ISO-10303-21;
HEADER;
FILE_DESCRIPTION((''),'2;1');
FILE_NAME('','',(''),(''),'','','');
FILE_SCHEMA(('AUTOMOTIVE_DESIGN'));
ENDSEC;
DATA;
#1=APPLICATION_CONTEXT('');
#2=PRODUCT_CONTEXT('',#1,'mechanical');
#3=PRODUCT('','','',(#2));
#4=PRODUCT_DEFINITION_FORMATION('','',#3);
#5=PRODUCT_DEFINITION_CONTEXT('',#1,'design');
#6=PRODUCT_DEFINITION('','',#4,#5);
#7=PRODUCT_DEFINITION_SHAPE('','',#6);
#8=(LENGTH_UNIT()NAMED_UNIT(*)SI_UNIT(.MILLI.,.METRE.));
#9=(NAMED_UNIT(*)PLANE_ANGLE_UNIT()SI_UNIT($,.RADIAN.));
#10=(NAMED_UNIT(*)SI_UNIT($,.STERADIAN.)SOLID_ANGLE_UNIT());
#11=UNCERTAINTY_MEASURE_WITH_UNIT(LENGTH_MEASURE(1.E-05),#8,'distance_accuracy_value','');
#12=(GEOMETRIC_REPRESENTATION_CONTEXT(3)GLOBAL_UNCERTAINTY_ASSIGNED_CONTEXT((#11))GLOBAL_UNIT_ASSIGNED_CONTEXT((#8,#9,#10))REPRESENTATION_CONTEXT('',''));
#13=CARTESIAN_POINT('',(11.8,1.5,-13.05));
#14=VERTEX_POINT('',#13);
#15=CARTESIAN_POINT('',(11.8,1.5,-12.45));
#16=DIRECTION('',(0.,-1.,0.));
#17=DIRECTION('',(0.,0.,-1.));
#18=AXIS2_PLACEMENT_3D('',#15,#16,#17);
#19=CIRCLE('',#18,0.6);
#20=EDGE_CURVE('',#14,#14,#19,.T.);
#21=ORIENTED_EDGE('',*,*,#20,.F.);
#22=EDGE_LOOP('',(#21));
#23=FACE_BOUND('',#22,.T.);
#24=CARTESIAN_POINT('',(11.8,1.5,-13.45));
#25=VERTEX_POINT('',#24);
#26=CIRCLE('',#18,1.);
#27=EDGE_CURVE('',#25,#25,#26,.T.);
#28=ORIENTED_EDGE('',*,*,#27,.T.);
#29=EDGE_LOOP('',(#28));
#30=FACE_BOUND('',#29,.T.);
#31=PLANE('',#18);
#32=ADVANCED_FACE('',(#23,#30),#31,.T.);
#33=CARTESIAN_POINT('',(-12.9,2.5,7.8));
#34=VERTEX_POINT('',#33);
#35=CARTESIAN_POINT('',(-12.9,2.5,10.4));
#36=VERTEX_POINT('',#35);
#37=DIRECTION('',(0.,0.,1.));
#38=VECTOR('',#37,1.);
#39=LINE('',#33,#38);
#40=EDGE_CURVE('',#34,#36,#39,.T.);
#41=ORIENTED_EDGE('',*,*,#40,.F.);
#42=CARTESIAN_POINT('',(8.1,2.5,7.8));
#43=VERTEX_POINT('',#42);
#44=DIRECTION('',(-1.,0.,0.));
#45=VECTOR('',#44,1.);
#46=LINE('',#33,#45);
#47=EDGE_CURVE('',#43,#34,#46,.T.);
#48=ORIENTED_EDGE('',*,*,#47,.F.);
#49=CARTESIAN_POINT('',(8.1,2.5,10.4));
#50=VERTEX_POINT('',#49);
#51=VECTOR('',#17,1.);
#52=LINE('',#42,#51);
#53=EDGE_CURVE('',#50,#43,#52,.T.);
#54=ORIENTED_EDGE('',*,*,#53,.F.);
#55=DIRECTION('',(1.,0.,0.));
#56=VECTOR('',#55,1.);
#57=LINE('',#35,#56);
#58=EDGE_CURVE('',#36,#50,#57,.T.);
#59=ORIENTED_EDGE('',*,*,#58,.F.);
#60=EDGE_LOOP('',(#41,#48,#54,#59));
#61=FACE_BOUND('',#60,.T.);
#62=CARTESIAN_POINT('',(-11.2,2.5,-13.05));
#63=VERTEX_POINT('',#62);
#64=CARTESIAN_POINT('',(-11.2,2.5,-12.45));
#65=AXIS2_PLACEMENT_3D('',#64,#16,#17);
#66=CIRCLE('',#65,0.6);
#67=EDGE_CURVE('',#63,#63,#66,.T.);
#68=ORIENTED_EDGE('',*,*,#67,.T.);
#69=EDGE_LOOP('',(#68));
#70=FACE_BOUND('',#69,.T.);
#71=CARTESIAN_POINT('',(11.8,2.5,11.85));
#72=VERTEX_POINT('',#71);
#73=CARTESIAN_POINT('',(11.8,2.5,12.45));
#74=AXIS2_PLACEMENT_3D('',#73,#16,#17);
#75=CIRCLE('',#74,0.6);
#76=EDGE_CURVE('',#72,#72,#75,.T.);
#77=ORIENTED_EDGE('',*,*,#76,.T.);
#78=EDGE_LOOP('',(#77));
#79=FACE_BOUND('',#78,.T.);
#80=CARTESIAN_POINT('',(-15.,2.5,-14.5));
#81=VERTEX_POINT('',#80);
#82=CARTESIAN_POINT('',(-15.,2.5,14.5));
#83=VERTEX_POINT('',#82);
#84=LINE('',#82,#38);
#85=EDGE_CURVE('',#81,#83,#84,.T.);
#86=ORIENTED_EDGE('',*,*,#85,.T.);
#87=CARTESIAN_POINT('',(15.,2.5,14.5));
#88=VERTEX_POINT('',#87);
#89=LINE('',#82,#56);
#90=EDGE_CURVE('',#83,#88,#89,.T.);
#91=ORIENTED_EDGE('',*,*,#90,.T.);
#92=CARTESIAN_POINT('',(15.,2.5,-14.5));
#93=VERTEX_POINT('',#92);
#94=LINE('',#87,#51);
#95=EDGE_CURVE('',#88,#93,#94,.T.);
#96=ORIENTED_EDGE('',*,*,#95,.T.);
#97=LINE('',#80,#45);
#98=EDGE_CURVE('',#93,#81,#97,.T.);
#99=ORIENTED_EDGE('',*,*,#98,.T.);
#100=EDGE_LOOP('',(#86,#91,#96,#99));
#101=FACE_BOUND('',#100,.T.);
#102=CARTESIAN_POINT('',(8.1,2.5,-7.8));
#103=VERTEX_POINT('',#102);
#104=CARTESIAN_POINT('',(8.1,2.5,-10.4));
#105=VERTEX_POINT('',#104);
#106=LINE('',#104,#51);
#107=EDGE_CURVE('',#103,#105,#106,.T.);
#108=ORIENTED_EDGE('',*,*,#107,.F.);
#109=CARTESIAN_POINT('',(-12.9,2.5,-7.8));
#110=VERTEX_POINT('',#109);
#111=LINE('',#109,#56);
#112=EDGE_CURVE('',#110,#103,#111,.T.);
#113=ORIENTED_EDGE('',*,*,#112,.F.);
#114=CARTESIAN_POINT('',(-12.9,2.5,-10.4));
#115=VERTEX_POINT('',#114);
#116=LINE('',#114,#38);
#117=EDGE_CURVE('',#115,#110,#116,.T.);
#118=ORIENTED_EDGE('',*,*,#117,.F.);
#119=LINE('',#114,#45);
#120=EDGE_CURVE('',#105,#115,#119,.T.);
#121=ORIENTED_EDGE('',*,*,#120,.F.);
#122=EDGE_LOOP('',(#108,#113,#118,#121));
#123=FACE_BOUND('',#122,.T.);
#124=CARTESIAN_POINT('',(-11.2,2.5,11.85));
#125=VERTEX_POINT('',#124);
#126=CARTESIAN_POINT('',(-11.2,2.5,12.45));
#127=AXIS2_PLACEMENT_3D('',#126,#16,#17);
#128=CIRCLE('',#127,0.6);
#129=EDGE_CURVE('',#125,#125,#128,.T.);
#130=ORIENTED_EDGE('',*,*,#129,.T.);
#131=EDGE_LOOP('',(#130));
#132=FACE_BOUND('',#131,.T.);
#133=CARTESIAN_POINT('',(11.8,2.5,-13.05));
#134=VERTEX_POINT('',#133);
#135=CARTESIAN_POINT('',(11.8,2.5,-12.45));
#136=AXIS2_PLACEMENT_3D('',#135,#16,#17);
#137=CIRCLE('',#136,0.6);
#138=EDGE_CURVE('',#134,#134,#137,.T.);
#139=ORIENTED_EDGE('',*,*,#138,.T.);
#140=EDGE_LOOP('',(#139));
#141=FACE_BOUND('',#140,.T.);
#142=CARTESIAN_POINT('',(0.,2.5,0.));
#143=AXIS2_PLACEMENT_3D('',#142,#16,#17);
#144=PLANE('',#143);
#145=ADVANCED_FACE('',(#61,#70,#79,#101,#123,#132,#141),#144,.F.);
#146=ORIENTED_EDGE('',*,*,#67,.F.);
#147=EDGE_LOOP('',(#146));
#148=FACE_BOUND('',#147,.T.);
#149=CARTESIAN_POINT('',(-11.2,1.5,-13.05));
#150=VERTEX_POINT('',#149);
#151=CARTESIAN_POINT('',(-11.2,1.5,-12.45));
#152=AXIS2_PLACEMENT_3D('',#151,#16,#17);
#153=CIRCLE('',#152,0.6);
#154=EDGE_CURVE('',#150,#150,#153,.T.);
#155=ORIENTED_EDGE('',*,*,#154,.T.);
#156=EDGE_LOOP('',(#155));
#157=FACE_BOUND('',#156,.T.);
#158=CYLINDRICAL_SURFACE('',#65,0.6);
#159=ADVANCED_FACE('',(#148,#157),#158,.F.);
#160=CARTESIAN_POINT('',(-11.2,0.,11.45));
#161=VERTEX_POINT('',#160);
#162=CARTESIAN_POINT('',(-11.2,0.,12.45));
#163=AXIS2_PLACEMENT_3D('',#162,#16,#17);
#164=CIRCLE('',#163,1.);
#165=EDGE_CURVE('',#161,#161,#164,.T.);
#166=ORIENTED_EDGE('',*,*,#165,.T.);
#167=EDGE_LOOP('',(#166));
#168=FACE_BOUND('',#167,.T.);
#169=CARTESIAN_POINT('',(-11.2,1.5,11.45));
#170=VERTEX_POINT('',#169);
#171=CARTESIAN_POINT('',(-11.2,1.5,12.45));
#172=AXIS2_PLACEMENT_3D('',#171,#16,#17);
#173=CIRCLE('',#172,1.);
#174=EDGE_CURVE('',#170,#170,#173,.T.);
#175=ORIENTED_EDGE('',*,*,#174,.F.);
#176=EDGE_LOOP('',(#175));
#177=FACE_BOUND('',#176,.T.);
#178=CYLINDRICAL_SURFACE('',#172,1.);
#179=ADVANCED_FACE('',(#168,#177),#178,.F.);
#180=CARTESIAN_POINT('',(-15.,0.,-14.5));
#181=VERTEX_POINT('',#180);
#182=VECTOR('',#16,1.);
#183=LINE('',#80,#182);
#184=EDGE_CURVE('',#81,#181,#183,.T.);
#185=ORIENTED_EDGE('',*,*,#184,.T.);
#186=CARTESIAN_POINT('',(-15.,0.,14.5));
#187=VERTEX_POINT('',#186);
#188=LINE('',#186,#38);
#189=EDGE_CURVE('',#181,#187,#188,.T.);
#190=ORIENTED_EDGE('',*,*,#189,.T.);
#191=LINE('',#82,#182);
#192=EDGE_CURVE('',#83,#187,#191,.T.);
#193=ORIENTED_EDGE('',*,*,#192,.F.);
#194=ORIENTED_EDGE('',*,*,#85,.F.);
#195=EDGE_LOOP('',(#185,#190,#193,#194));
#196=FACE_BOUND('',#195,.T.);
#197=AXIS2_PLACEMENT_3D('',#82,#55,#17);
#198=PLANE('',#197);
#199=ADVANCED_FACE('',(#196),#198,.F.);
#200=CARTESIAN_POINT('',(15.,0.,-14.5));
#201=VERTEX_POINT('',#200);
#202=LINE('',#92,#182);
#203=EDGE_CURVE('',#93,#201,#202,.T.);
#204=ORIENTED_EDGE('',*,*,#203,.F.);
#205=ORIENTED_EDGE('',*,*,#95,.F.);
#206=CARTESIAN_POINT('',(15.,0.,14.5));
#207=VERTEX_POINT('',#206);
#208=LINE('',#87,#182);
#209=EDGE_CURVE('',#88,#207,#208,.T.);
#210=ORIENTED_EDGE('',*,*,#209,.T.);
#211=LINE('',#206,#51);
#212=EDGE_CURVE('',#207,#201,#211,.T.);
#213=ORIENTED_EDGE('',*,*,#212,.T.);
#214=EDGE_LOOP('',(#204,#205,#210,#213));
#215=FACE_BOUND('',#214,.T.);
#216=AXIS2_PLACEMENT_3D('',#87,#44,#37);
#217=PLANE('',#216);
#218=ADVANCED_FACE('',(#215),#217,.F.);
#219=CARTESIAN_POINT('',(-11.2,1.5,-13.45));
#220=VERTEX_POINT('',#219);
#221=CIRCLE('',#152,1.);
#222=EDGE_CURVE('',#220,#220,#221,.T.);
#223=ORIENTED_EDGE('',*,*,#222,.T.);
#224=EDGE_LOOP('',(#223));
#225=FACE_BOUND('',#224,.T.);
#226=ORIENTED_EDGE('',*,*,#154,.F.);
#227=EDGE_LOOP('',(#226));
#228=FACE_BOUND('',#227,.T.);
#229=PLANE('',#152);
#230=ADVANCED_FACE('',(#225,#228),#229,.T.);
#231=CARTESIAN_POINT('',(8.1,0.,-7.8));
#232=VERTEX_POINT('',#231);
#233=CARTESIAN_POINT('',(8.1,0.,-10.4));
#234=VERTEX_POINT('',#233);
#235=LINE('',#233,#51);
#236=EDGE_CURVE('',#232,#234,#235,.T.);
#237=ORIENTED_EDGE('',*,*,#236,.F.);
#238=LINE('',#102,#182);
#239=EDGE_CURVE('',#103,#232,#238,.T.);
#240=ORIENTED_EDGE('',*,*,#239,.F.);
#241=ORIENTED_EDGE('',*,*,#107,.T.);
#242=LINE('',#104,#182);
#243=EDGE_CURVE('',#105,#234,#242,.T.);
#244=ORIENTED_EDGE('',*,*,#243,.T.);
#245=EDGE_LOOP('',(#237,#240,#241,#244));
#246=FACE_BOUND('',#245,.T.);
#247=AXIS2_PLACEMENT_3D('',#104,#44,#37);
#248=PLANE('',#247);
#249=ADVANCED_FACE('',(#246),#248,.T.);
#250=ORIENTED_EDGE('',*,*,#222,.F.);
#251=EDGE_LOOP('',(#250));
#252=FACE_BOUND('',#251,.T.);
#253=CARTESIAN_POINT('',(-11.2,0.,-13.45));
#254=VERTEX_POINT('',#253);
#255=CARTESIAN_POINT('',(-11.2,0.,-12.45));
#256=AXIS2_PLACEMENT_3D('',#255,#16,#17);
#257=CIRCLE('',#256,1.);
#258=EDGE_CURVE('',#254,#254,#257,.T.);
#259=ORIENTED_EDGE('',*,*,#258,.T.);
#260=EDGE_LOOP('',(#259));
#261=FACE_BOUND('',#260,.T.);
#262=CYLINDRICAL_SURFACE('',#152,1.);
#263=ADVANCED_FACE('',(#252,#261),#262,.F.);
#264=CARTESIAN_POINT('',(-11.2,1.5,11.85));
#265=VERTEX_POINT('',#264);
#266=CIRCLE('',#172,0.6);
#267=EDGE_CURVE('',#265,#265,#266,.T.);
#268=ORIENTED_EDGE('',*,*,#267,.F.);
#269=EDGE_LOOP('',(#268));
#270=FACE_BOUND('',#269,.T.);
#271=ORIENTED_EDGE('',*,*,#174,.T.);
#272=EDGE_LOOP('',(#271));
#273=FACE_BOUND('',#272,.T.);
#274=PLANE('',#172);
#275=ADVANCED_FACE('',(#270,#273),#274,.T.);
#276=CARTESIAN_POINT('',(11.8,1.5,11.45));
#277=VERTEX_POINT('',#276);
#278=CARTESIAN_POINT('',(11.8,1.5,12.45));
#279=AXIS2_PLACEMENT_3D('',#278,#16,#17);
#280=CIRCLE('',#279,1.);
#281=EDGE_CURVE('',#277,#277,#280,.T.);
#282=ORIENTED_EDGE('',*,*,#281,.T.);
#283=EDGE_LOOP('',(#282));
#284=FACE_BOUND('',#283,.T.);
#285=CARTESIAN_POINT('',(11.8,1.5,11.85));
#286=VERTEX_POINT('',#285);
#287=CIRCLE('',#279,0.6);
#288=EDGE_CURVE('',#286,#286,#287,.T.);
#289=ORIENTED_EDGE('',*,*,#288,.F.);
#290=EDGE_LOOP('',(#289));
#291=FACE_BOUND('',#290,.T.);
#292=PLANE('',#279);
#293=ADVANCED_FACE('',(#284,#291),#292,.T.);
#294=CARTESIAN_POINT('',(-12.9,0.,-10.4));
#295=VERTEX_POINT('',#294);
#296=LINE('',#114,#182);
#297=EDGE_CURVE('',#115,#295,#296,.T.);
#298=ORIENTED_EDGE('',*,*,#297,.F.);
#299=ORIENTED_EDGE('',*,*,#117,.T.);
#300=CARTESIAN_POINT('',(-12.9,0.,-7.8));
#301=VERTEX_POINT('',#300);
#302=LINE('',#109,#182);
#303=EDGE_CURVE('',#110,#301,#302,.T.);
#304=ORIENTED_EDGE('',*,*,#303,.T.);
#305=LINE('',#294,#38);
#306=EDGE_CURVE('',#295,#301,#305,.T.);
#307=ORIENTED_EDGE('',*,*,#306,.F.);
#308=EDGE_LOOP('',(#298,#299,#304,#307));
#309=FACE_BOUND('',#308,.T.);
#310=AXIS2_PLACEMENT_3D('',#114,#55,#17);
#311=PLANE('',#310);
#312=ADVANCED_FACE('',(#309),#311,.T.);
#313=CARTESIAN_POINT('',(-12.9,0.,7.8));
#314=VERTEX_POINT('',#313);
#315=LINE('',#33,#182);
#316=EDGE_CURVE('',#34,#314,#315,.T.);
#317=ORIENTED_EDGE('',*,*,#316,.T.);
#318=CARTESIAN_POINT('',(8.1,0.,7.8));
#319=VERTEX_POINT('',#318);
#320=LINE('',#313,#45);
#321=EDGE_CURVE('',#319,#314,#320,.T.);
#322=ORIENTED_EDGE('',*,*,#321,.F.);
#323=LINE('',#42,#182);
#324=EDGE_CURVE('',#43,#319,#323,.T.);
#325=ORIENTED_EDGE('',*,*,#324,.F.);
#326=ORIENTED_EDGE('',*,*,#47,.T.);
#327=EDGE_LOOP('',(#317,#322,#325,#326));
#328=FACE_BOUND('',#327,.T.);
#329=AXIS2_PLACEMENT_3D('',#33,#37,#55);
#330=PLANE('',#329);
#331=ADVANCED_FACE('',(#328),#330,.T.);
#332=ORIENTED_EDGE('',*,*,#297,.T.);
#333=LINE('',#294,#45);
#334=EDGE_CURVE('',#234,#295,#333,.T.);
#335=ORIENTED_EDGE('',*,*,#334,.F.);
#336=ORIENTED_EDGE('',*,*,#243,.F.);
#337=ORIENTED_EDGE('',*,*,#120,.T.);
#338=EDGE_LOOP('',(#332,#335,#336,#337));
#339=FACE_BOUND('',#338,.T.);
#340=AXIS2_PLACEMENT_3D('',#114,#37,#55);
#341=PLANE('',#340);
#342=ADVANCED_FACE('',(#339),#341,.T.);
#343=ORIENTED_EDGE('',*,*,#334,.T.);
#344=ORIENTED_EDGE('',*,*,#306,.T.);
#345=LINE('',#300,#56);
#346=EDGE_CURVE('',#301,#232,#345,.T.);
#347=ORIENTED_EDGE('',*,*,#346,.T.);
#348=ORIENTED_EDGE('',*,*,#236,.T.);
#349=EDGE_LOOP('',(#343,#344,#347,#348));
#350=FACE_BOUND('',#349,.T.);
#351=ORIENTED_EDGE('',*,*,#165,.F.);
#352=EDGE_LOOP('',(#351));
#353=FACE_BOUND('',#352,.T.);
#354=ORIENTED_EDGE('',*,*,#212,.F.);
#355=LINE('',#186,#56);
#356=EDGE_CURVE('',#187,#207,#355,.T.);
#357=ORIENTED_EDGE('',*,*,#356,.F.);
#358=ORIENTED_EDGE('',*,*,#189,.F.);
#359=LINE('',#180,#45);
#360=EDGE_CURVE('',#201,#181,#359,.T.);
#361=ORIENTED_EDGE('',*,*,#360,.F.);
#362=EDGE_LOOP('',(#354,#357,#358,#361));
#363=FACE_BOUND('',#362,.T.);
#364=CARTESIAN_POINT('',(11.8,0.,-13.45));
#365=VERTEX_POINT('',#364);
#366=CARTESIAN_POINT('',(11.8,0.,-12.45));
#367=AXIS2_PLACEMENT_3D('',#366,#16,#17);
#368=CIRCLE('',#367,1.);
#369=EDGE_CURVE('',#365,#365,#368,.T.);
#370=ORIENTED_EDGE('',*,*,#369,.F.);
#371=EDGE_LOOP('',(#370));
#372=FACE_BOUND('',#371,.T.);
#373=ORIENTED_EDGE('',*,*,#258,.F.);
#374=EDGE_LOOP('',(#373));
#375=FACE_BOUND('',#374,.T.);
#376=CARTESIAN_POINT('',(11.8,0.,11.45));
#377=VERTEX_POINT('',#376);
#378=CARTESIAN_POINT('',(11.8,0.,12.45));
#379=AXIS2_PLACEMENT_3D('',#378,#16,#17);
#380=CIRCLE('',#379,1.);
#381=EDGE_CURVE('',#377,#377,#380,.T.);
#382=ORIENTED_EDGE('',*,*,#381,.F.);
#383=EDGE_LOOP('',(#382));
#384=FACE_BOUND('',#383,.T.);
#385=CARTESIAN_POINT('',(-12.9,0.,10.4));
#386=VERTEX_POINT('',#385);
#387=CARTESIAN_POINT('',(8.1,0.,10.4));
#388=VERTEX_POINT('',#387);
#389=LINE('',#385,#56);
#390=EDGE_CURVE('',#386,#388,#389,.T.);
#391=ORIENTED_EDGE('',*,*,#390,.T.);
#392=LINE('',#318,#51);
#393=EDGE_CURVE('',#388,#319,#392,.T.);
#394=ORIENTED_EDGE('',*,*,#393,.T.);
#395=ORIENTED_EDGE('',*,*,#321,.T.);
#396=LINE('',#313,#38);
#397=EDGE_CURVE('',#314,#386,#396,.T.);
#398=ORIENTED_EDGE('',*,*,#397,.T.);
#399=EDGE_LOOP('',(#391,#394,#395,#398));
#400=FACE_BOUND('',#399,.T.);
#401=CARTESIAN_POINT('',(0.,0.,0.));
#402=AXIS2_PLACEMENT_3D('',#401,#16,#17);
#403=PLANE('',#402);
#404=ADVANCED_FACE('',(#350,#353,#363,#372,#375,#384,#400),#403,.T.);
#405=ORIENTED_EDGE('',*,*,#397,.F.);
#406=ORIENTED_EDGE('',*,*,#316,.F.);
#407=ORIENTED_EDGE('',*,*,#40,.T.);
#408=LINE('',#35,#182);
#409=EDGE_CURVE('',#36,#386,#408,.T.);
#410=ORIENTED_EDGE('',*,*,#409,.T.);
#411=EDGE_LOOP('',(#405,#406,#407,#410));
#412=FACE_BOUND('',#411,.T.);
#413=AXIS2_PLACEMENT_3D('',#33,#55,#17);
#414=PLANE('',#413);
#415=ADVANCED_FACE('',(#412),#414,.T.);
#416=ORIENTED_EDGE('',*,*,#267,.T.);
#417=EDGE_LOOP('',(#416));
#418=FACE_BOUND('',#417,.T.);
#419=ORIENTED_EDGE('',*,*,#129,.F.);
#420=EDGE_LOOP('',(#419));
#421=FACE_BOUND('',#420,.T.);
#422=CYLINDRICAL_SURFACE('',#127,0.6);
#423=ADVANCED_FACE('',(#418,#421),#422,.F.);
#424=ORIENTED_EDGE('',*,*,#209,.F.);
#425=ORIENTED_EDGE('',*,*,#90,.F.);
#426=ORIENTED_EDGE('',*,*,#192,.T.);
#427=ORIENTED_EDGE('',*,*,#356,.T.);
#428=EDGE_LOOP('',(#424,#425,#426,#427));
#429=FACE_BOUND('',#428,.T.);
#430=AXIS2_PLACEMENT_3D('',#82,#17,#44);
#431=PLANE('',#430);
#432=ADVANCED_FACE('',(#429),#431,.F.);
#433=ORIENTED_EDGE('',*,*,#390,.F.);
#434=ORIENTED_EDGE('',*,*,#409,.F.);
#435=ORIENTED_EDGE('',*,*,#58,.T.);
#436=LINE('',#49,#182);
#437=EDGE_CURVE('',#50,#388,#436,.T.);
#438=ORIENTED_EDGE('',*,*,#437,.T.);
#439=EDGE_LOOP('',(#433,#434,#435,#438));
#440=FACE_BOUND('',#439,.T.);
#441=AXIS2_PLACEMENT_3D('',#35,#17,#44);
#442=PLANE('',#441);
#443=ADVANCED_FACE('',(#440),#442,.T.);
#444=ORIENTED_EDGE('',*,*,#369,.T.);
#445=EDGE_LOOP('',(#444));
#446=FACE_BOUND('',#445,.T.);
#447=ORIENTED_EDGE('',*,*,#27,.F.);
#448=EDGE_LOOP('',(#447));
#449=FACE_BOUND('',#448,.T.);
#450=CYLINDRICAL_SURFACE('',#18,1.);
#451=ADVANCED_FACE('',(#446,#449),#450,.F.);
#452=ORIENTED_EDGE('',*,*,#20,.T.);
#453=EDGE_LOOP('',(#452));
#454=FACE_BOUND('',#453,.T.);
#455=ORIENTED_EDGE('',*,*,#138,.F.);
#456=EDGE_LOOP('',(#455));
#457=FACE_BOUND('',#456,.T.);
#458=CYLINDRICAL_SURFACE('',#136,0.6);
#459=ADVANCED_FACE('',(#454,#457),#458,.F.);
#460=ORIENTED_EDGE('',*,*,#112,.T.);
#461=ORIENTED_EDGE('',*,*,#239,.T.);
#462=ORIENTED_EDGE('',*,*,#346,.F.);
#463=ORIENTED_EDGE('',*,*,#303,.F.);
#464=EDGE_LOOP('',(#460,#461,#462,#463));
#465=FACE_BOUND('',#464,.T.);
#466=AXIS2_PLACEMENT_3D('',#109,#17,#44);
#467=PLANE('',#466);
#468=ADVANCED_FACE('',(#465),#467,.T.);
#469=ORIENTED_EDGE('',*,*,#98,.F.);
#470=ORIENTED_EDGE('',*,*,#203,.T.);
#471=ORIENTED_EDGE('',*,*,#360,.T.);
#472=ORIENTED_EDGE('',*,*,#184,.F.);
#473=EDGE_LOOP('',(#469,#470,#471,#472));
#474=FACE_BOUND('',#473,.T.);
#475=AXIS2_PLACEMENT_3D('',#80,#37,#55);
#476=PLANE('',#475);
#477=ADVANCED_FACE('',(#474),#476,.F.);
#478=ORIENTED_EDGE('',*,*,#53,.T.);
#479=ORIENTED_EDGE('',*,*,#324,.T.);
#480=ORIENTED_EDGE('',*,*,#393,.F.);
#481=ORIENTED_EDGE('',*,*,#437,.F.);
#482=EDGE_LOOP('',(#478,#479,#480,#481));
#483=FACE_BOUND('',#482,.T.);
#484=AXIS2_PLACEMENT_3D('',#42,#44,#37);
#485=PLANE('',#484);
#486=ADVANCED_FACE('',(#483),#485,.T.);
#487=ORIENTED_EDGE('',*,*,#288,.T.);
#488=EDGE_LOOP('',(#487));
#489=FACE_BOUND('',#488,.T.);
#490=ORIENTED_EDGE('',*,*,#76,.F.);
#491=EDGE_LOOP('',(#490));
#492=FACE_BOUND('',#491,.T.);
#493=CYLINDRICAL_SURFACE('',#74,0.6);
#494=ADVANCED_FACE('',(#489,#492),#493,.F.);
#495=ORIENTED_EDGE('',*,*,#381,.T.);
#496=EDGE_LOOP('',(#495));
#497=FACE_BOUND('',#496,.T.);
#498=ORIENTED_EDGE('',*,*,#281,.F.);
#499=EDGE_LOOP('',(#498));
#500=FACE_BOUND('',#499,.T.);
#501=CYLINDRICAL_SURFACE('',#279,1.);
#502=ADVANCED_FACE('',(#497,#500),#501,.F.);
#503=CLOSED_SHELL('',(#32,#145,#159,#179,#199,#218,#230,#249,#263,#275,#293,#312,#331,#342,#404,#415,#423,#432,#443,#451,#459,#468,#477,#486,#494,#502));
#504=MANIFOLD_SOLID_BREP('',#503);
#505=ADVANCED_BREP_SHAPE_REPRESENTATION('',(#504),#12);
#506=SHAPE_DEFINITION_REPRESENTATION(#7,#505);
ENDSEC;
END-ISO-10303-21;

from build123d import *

# Parameters (mm, degrees)
SKETCH_1_W          = 30
SKETCH_1_H          = 29
SKETCH_1_W_2        = 21
SKETCH_1_H_2        = 2.6
EXTRUDE_1_DEPTH     = 2.5
SKETCH_2_R          = 0.6
CUT_EXTRUDE_1_DEPTH = 22.011901389
SKETCH_2_3_R        = 1
SKETCH_2_3_R_2      = 0.6
CUT_EXTRUDE_2_DEPTH = 1.5


with BuildPart() as part:
    # 草图1 → 凸台-拉伸1 (new body)
    with BuildSketch(Plane(origin=(0, 0, 0), x_dir=(1, 0, 0), z_dir=(0, 1, 0))):
        Rectangle(SKETCH_1_W, SKETCH_1_H)
        with Locations((-2.4, 9.1)):
            Rectangle(SKETCH_1_W_2, SKETCH_1_H_2, mode=Mode.SUBTRACT)
        with Locations((-2.4, -9.1)):
            Rectangle(SKETCH_1_W_2, SKETCH_1_H_2, mode=Mode.SUBTRACT)
    extrude(amount=EXTRUDE_1_DEPTH)

    # 草图2 → 切除-拉伸1 (cut, through all)
    with BuildSketch(Plane.XZ):
        with Locations((-11.2, -12.45)):
            Circle(SKETCH_2_R)
        with Locations((-11.2, 12.45)):
            Circle(SKETCH_2_R)
        with Locations((11.8, 12.45)):
            Circle(SKETCH_2_R)
        with Locations((11.8, -12.45)):
            Circle(SKETCH_2_R)
    extrude(amount=-CUT_EXTRUDE_1_DEPTH, mode=Mode.SUBTRACT)

    # 草图2<3> → 切除-拉伸2 (cut)
    # profile 1 of 4: a face of its own
    with BuildSketch(Plane.XZ):
        with Locations((-11.2, -12.45)):
            Circle(SKETCH_2_3_R)
        with Locations((-11.2, -12.45)):
            Circle(SKETCH_2_3_R_2, mode=Mode.SUBTRACT)
    # profile 2 of 4: a face of its own
    with BuildSketch(Plane.XZ):
        with Locations((-11.2, 12.45)):
            Circle(SKETCH_2_3_R)
        with Locations((-11.2, 12.45)):
            Circle(SKETCH_2_3_R_2, mode=Mode.SUBTRACT)
    # profile 3 of 4: a face of its own
    with BuildSketch(Plane.XZ):
        with Locations((11.8, 12.45)):
            Circle(SKETCH_2_3_R)
        with Locations((11.8, 12.45)):
            Circle(SKETCH_2_3_R_2, mode=Mode.SUBTRACT)
    # profile 4 of 4: a face of its own
    with BuildSketch(Plane.XZ):
        with Locations((11.8, -12.45)):
            Circle(SKETCH_2_3_R)
        with Locations((11.8, -12.45)):
            Circle(SKETCH_2_3_R_2, mode=Mode.SUBTRACT)
    extrude(amount=-CUT_EXTRUDE_2_DEPTH, mode=Mode.SUBTRACT)


solid = part.part
